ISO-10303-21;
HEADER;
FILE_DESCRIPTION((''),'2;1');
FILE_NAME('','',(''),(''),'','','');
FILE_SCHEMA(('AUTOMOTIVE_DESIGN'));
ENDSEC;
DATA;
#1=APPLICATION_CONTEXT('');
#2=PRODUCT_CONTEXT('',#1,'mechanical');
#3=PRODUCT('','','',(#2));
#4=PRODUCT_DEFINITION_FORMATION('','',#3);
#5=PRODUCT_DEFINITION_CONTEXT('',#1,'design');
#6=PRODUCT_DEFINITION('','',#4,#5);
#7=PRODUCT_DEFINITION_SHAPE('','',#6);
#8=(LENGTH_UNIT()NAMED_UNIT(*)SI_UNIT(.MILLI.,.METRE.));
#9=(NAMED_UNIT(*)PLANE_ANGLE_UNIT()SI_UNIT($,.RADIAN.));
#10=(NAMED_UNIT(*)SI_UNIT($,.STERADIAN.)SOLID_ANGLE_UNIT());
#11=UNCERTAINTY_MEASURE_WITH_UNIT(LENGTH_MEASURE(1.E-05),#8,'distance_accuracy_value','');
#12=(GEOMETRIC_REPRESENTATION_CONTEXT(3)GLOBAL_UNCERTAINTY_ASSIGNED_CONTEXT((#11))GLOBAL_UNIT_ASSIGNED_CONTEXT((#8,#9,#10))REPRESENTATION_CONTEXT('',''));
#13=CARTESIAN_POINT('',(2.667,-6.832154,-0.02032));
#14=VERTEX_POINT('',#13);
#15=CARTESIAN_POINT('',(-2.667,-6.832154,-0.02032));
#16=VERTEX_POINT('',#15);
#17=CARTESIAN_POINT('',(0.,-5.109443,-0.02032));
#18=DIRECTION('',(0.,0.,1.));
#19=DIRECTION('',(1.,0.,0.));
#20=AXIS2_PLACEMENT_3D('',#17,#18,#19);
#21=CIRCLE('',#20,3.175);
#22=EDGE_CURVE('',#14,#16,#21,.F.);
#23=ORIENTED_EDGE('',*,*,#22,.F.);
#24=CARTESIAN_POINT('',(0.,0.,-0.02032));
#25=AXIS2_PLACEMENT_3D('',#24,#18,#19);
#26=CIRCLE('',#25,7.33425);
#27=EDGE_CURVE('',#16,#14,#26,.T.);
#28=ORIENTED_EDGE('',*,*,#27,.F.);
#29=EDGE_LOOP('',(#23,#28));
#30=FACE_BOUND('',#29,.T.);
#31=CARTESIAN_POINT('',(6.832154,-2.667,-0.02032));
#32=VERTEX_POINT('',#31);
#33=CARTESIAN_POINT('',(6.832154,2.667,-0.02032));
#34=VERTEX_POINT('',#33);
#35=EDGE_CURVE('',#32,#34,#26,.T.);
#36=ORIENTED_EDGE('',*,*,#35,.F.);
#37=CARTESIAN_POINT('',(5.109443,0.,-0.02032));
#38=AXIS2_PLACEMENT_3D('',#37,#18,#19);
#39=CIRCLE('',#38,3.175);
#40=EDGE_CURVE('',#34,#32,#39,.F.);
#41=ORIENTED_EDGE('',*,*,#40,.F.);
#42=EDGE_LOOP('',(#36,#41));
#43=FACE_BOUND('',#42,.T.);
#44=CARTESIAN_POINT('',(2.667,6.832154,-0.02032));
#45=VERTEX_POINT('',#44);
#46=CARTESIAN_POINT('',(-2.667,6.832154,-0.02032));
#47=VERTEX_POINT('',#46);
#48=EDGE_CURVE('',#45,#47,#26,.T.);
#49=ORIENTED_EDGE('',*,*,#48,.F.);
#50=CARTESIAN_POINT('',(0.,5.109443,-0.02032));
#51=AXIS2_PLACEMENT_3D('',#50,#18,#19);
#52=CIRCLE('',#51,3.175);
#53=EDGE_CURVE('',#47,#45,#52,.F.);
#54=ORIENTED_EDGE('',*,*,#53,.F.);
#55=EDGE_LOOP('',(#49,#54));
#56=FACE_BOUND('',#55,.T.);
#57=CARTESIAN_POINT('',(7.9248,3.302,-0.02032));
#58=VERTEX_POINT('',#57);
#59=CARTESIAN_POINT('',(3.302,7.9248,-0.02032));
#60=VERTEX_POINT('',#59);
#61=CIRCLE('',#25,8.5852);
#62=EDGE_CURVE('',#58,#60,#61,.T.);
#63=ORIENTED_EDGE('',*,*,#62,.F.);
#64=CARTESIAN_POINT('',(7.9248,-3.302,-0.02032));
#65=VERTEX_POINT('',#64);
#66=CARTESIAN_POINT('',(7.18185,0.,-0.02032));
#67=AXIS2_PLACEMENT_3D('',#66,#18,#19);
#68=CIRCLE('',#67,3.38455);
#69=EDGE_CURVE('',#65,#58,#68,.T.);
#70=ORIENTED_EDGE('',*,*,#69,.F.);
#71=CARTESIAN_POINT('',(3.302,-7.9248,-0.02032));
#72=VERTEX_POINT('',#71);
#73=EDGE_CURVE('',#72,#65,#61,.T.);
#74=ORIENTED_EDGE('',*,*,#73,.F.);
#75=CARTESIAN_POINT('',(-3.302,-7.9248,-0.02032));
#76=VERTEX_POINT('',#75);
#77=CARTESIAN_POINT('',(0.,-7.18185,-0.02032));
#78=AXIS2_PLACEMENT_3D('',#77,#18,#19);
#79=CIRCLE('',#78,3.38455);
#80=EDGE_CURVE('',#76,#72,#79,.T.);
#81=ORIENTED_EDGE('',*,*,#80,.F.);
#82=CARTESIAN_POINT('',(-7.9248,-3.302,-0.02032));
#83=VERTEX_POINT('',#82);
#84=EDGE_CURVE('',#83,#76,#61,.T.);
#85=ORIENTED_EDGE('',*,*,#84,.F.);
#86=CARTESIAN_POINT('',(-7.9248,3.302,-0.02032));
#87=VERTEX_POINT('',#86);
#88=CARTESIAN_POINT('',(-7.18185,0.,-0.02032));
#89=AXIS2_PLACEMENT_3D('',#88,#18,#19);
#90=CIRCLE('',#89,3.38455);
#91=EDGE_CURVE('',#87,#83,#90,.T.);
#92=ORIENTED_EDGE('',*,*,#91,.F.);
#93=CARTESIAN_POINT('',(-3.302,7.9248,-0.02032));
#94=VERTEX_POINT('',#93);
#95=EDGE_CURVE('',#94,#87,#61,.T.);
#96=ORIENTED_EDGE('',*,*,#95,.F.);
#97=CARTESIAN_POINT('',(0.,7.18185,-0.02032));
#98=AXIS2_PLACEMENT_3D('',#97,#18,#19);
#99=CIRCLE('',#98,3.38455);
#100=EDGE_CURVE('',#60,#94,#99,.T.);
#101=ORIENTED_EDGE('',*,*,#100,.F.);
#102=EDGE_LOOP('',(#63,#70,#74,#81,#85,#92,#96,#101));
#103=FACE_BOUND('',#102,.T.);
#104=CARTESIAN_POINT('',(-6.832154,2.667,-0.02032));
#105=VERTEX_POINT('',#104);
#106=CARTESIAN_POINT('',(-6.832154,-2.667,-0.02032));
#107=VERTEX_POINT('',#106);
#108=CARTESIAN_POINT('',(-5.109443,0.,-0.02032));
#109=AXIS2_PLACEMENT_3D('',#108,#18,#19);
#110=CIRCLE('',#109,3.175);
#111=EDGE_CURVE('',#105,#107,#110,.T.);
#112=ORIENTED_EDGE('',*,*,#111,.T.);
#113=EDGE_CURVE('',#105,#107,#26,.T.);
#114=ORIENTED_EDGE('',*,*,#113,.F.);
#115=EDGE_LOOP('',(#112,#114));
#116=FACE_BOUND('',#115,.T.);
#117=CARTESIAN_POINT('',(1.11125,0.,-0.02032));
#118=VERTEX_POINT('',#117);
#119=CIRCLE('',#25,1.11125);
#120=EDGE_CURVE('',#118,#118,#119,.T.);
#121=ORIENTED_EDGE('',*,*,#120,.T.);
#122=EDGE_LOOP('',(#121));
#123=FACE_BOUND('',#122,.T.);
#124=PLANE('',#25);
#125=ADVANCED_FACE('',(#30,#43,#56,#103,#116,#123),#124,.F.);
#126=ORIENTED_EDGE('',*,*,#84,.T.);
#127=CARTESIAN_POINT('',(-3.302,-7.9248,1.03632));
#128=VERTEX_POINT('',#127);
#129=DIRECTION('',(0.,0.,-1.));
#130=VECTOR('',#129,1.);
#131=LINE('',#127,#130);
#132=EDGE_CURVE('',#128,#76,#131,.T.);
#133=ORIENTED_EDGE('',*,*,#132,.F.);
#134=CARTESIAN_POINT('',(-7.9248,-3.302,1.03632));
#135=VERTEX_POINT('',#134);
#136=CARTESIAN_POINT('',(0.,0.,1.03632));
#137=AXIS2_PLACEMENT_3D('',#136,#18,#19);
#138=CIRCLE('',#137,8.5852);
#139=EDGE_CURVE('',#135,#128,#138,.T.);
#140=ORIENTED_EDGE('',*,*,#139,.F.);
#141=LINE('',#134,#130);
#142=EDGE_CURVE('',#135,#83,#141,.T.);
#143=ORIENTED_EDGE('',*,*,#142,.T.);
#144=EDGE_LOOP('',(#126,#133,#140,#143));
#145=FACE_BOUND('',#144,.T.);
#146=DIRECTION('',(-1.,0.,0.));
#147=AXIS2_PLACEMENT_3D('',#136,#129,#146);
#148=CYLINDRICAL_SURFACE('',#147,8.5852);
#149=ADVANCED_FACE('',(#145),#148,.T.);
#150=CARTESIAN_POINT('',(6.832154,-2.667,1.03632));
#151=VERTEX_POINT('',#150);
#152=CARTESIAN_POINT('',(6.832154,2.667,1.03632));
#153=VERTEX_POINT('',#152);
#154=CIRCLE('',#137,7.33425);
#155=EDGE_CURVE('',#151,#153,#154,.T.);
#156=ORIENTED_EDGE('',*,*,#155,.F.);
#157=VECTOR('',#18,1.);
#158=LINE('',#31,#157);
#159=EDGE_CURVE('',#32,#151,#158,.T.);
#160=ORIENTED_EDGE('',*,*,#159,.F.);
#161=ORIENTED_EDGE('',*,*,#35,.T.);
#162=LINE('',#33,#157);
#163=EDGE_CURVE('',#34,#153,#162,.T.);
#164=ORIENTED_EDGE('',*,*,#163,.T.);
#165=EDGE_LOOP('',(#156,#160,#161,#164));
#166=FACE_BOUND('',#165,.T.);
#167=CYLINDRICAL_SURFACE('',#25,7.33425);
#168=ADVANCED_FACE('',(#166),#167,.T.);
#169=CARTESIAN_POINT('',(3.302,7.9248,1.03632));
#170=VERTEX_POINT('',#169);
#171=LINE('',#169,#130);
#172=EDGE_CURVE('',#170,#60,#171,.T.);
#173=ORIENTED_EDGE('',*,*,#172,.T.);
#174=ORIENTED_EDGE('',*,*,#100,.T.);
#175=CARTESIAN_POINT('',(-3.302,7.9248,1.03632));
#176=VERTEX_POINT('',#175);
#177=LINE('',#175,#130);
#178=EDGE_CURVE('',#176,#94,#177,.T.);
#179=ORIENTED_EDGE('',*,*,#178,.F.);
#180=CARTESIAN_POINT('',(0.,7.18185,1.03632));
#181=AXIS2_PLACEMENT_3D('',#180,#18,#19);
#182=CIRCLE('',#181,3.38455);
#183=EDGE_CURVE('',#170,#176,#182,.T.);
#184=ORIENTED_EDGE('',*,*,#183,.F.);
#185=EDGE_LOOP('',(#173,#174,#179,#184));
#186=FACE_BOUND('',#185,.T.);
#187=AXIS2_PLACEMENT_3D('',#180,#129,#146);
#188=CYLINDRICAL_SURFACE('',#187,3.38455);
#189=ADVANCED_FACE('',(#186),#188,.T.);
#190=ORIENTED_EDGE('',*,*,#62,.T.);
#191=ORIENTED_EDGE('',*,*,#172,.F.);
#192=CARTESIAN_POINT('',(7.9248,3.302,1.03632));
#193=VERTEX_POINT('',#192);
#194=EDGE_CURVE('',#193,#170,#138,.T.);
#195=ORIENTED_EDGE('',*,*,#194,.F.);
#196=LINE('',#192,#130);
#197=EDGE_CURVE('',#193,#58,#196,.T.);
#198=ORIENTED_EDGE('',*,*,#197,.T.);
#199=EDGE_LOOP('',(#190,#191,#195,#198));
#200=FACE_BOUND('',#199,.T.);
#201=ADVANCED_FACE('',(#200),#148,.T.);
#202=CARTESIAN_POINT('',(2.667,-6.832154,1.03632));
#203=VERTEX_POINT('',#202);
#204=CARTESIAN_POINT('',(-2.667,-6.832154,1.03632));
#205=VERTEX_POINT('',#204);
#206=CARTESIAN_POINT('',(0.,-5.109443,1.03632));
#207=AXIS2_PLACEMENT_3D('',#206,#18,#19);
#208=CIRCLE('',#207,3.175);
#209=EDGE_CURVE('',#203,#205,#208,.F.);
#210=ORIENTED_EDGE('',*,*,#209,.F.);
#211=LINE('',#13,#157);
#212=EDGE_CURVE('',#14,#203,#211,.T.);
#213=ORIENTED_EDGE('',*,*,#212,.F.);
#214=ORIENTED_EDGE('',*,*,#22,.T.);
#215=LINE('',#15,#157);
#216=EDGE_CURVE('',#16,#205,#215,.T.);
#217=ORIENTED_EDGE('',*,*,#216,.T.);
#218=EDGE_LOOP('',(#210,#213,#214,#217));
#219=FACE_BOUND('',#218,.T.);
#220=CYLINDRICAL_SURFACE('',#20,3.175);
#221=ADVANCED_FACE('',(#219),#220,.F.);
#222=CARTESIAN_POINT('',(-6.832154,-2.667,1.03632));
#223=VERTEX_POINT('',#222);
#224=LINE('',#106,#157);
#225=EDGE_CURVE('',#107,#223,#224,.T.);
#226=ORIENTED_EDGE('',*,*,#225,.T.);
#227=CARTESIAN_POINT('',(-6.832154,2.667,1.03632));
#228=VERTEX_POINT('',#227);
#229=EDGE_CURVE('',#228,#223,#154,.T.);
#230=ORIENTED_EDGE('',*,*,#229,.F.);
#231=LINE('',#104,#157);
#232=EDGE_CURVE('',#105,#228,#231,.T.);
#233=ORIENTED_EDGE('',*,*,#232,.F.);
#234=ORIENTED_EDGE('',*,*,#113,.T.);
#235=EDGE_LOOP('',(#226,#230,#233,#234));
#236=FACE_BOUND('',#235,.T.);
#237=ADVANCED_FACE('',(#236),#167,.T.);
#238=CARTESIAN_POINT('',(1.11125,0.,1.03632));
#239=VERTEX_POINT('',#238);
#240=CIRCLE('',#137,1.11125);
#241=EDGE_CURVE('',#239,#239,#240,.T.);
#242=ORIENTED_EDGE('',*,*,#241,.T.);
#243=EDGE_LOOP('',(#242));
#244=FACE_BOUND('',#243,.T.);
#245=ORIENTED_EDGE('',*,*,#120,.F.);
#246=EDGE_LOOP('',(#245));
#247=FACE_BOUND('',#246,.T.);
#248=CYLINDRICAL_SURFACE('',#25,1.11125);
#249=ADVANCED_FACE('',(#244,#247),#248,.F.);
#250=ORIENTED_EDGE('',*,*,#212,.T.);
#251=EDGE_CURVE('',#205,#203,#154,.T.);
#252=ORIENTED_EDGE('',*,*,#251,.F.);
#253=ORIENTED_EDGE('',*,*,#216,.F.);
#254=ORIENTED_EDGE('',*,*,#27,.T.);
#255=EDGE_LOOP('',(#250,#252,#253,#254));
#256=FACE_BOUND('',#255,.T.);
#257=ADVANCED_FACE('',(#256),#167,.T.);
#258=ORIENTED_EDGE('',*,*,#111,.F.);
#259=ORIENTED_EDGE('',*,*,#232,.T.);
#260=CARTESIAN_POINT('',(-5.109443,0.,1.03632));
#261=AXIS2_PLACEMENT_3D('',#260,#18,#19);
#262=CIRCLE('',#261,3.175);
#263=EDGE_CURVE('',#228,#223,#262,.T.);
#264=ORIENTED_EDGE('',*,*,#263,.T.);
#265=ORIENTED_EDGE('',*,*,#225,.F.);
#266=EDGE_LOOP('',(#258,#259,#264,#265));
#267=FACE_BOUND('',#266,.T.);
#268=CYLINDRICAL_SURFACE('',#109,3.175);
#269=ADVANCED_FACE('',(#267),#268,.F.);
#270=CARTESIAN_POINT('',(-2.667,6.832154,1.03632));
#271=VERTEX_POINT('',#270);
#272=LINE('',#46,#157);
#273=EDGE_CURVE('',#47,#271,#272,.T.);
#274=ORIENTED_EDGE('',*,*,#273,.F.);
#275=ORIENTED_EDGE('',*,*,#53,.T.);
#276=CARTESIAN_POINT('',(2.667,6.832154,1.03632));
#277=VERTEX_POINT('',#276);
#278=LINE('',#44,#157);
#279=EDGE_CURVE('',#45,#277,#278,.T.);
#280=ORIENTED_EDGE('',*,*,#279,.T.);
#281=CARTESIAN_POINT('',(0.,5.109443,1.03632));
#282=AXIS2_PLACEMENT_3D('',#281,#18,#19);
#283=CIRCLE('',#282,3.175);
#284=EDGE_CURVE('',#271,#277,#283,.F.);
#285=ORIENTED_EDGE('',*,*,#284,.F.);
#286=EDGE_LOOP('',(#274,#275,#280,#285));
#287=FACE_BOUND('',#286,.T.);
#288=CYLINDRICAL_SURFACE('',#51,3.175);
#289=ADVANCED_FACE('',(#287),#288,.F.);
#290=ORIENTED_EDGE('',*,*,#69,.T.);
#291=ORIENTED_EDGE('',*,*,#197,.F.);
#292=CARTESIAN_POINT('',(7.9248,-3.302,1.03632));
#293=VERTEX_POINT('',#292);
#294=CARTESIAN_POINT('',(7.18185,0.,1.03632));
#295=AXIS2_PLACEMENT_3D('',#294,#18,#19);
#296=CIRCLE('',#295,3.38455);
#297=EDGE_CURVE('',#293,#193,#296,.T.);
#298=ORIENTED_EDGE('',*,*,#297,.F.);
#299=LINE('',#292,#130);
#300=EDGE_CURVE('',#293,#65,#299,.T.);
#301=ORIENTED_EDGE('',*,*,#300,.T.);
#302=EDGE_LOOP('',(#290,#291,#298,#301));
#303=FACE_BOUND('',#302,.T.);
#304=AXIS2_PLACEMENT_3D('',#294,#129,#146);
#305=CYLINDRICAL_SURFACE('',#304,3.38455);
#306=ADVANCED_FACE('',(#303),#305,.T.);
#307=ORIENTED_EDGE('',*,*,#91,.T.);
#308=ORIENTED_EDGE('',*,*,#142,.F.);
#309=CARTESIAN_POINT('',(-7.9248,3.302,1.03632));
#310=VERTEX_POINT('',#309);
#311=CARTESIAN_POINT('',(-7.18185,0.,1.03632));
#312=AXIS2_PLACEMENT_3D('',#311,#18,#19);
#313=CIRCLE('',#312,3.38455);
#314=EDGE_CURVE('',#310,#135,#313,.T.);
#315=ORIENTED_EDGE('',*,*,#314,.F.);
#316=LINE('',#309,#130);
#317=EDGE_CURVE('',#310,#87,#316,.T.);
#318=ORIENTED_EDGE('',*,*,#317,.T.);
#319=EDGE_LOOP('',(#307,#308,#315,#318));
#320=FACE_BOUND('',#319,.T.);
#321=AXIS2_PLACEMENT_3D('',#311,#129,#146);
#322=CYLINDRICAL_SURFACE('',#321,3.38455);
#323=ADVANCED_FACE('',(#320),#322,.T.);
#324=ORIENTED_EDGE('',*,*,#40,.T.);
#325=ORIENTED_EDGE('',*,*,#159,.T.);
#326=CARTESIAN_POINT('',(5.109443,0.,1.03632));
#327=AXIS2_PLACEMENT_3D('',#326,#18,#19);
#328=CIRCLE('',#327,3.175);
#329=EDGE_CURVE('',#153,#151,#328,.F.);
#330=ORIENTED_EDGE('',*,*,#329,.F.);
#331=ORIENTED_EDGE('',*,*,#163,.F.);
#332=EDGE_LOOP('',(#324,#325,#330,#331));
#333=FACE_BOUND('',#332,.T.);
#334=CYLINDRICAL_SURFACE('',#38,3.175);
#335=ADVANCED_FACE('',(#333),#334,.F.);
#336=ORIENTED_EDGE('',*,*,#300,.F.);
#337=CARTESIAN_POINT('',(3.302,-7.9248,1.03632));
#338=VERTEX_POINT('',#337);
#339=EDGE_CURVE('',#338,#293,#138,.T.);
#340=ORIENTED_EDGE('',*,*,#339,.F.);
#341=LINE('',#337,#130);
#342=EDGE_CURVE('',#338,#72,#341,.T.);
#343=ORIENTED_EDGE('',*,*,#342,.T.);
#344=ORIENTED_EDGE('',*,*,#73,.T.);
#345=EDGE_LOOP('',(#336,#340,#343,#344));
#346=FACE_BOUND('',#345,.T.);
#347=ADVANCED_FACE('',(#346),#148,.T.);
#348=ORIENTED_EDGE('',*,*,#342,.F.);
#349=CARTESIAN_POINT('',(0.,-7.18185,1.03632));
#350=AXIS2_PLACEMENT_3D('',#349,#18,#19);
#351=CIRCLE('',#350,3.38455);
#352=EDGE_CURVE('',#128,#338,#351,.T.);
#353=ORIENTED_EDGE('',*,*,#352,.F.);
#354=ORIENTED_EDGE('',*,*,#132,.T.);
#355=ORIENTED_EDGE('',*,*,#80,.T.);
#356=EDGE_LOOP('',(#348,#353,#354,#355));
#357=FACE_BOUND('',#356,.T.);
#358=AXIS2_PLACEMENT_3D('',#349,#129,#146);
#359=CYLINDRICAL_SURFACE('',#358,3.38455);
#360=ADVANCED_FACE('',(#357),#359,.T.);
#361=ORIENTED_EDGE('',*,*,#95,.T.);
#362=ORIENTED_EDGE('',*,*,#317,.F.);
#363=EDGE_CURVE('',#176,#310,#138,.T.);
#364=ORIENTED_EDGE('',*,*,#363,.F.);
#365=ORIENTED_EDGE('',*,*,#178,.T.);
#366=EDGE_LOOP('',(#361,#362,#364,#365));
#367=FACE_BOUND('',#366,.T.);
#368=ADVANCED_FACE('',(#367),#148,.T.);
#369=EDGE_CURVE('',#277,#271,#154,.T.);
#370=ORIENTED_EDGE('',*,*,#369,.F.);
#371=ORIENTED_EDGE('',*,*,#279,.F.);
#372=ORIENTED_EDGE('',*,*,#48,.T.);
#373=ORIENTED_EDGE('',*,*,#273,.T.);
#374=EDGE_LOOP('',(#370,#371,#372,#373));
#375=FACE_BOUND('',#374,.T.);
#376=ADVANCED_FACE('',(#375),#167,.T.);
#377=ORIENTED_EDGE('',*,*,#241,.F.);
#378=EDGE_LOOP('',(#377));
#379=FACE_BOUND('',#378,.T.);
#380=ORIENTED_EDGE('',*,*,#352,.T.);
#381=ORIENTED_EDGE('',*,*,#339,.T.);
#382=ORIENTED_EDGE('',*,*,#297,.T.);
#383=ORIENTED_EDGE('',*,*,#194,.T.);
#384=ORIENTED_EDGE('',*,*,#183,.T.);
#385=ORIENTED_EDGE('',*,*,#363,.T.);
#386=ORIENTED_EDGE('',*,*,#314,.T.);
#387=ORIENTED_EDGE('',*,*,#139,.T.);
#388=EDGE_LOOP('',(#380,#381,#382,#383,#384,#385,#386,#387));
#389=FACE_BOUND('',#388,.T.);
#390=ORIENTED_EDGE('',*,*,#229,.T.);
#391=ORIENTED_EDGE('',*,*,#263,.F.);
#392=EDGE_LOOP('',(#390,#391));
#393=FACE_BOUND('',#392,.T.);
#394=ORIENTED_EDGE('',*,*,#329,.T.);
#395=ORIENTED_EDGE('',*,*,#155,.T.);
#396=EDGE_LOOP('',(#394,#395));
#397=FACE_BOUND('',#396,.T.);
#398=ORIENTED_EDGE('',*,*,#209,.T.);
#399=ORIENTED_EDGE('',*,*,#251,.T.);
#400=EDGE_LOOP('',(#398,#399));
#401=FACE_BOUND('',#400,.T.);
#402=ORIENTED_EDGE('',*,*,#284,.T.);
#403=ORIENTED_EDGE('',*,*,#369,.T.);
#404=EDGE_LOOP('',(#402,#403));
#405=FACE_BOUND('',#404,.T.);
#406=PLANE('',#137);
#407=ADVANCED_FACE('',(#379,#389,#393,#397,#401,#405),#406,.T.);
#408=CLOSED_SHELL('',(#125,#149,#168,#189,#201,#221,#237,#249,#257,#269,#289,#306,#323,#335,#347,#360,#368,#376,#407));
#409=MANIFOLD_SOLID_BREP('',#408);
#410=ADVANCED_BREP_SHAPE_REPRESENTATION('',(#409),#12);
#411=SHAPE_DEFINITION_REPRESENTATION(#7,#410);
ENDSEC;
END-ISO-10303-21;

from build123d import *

# Parameters (mm, degrees)
BOSS_EXTRUDE1_DEPTH = 1.016
SCALE1_SCALE        = 1.04
SKETCH2_R           = 1.11125
NEEDLE_CUT_DEPTH    = 15.98045747
TAB_CUT_DEPTH       = 15.98045747


with BuildPart() as part:
    # Sketch1 → Boss-Extrude1 (new body)
    with BuildSketch(Plane.XY):
        with BuildLine():
            ThreePointArc((7.62, -3.175), (8.255, 0), (7.62, 3.175))
            ThreePointArc((7.62, 3.175), (10.16, 0), (7.62, -3.175))
        make_face()
        with BuildLine():
            ThreePointArc((7.62, -3.175), (8.255, 0), (7.62, 3.175))
            ThreePointArc((7.62, 3.175), (0, 8.255), (-7.62, 3.175))
            ThreePointArc((-7.62, 3.175), (-8.255, 0), (-7.62, -3.175))
            ThreePointArc((-7.62, -3.175), (0, -8.255), (7.62, -3.175))
        make_face()
        with BuildLine():
            ThreePointArc((-7.62, 3.175), (-8.255, 0), (-7.62, -3.175))
            ThreePointArc((-7.62, -3.175), (-10.16, 0), (-7.62, 3.175))
        make_face()
        with BuildLine():
            ThreePointArc((3.175, 7.62), (0, 10.16), (-3.175, 7.62))
            ThreePointArc((-3.175, 7.62), (0, 8.255), (3.175, 7.62))
        make_face()
        with BuildLine():
            ThreePointArc((3.175, -7.62), (0, -8.255), (-3.175, -7.62))
            ThreePointArc((-3.175, -7.62), (0, -10.16), (3.175, -7.62))
        make_face()
    extrude(amount=BOSS_EXTRUDE1_DEPTH)


with BuildPart() as part_1:
    # Scale1: scaled about (0, 0, 0.508)
    add(part.part.scale(SCALE1_SCALE).moved(Location((0, 0, -0.02032))))

    # Sketch2 → Needle Cut (cut, through all)
    with BuildSketch(Plane.XY.offset(1.03632)):
        Circle(SKETCH2_R)
    extrude(amount=-NEEDLE_CUT_DEPTH, mode=Mode.SUBTRACT)

    # Sketch3 → Tab Cut (cut, through all)
    with BuildSketch(Plane.XY.offset(1.03632)):
        with BuildLine():
            ThreePointArc((-2.667, 6.832154423), (0, 7.33425), (2.667, 6.832154423))
            ThreePointArc((2.667, 6.832154423), (0, 8.284442607), (-2.667, 6.832154423))
        make_face()
        with BuildLine():
            ThreePointArc((6.832154423, 2.667), (7.207633164, 1.356925658), (7.33425, 0))
            ThreePointArc((7.33425, 0), (7.207633164, -1.356925658), (6.832154423, -2.667))
            ThreePointArc((6.832154423, -2.667), (8.284442607, 0), (6.832154423, 2.667))
        make_face()
        with BuildLine():
            ThreePointArc((-2.667, -6.832154423), (0, -8.284442607), (2.667, -6.832154423))
            ThreePointArc((2.667, -6.832154423), (0, -7.33425), (-2.667, -6.832154423))
        make_face()
        with BuildLine():
            ThreePointArc((-6.832154423, -2.667), (-7.33425, 0), (-6.832154423, 2.667))
            ThreePointArc((-6.832154423, 2.667), (-8.284442607, 0), (-6.832154423, -2.667))
        make_face()
    extrude(amount=-TAB_CUT_DEPTH, mode=Mode.SUBTRACT)


solid = part_1.part
